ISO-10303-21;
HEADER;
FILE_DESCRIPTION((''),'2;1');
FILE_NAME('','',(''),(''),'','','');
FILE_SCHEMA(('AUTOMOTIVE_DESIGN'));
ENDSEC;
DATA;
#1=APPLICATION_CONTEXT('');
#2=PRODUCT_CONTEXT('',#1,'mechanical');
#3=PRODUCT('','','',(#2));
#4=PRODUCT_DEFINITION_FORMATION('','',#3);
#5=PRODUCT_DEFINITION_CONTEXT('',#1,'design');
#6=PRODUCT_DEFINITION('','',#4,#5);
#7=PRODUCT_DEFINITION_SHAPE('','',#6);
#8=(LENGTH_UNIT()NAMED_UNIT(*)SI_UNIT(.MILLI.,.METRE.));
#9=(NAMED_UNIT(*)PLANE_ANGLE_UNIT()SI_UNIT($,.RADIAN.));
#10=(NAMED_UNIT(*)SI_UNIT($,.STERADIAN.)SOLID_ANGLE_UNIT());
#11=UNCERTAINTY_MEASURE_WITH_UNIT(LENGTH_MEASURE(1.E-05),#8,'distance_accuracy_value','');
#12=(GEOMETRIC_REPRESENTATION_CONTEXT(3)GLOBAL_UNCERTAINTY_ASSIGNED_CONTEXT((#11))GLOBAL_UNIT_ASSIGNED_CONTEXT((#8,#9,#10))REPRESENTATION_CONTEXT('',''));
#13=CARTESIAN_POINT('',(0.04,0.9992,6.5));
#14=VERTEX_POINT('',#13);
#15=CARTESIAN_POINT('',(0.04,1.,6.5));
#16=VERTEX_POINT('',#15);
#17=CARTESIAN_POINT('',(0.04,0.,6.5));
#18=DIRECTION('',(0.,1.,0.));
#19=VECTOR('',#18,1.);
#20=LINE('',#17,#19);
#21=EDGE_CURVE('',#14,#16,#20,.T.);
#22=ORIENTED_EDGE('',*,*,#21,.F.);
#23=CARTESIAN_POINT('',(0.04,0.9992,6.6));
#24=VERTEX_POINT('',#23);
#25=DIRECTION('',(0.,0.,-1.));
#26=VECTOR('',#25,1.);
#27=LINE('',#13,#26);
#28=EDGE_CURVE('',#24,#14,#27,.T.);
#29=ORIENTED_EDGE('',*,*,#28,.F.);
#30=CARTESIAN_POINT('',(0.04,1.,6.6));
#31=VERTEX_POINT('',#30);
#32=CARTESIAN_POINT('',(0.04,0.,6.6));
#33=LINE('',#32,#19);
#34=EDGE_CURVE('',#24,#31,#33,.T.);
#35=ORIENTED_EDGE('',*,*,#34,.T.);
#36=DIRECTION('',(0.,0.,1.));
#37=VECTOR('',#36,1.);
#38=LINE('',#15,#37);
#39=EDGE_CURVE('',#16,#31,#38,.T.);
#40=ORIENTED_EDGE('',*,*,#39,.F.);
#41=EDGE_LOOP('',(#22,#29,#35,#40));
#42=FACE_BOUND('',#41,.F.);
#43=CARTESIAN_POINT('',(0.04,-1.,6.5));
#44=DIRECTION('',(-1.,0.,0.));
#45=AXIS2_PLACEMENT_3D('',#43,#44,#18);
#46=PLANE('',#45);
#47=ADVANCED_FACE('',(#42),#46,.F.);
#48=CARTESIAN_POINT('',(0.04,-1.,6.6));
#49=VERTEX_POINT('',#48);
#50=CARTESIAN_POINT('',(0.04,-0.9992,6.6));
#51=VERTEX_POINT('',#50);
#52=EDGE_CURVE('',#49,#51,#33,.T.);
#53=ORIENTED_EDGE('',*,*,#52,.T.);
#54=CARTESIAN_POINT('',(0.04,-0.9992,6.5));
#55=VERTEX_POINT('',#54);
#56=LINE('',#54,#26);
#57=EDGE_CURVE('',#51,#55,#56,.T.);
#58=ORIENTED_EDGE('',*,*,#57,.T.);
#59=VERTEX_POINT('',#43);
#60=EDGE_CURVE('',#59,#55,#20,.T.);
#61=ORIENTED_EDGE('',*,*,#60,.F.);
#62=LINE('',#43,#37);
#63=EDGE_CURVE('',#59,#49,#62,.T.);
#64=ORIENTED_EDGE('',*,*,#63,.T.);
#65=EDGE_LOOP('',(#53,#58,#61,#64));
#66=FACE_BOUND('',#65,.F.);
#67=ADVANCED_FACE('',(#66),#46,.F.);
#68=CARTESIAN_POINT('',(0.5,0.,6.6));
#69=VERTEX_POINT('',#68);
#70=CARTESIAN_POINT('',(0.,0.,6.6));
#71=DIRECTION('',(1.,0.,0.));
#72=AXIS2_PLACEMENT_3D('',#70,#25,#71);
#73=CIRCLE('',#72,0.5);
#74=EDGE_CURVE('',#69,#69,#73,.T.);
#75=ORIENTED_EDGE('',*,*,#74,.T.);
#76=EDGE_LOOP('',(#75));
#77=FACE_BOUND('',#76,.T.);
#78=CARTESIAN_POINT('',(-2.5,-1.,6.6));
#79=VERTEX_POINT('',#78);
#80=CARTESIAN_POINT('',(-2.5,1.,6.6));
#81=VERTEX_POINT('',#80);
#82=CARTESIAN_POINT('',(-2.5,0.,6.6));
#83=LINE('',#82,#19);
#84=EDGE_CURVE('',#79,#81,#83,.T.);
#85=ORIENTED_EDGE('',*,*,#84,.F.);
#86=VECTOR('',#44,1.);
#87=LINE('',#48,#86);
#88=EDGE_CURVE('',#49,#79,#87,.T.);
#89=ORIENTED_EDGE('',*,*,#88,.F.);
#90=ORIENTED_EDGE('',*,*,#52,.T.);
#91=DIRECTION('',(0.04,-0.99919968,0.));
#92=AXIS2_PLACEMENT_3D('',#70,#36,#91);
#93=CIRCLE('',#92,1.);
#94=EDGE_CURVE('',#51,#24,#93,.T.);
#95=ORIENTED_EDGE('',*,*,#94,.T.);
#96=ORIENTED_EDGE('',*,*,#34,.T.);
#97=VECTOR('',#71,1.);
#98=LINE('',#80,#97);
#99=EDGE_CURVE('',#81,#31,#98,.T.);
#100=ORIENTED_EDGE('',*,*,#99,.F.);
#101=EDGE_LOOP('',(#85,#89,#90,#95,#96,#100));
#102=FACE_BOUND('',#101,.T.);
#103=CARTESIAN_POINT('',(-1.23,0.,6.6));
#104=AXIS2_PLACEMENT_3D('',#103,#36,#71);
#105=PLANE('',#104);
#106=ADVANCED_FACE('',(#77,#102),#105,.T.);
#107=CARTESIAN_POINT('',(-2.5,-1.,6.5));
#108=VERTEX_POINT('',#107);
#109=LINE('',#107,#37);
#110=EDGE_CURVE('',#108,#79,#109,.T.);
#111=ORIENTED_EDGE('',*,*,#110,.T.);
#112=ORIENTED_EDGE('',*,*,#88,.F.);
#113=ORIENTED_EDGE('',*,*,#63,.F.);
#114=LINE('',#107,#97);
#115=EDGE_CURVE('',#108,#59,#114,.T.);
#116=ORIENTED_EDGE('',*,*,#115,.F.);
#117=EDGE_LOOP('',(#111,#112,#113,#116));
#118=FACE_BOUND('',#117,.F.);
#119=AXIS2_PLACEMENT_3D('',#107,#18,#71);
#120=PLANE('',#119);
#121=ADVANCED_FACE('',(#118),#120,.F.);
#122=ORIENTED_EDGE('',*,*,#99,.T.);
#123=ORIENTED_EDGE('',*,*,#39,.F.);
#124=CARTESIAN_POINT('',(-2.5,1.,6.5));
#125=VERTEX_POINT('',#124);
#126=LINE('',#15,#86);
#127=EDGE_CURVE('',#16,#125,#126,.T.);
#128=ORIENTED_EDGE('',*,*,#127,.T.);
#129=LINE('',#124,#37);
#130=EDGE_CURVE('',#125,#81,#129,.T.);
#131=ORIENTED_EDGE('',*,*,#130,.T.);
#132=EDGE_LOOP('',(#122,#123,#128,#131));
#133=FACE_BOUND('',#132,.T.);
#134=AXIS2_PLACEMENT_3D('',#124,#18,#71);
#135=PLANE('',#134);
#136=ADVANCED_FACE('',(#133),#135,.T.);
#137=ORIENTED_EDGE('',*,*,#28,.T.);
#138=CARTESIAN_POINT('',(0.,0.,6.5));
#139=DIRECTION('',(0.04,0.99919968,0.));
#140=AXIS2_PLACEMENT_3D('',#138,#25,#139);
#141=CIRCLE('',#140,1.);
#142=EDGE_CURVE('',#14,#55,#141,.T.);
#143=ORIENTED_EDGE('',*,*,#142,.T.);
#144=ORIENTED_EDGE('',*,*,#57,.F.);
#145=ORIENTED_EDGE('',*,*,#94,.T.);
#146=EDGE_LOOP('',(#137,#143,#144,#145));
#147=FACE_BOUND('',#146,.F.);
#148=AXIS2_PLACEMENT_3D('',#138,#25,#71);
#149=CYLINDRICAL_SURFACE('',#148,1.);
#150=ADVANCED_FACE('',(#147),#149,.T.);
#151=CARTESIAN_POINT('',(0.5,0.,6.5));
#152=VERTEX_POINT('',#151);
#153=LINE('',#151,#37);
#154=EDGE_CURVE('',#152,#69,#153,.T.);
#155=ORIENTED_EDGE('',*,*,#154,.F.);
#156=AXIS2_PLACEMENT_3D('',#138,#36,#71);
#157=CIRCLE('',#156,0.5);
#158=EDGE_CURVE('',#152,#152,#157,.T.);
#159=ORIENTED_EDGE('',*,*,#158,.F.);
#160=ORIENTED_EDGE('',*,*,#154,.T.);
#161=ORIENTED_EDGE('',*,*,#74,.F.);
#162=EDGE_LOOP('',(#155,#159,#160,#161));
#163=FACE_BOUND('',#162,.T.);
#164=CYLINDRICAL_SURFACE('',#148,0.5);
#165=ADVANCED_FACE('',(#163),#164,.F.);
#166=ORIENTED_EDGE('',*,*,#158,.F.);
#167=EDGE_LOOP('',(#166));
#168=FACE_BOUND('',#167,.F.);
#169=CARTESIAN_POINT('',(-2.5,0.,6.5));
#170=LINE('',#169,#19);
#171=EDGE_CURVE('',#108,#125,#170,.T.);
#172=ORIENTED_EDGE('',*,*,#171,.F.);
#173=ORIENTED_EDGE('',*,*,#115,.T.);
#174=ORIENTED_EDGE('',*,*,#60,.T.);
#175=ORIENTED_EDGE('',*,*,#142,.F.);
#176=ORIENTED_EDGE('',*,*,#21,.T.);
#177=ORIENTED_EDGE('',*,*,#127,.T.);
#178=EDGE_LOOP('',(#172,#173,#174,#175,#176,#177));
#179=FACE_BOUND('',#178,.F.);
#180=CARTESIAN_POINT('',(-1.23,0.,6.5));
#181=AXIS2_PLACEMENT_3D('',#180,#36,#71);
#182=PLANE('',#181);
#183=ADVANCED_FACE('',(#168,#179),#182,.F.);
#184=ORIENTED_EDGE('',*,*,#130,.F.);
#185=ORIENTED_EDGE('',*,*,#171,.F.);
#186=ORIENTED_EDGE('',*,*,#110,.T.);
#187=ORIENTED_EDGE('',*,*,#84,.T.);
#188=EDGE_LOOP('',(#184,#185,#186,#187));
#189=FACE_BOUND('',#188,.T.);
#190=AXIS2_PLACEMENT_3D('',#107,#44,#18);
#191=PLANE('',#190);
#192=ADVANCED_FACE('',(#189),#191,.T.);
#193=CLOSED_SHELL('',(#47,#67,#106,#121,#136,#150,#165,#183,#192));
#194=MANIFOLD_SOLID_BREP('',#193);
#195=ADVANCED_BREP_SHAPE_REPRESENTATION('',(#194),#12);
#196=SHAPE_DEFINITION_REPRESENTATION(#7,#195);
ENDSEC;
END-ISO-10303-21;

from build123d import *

# Parameters (mm, degrees)
CYLINDER002_R     = 0.5
CYLINDER002_DEPTH = 0.1
BOX003_W          = 2.54
BOX003_H          = 2
BOX003_DEPTH      = 0.1
CYLINDER001_R     = 0.5
CYLINDER001_DEPTH = 0.1
CYLINDER_R        = 1
CYLINDER_DEPTH    = 0.1


with BuildPart() as cylinder002:
    # Cylinder002 → Cylinder002 (new body)
    with BuildSketch(Plane.XY.offset(1)):
        Circle(CYLINDER002_R)
    extrude(amount=CYLINDER002_DEPTH)


with BuildPart() as cut002:
    # Box003 → Box003 (new body)
    with BuildSketch(Plane(origin=(-2.5, -1, 1), x_dir=(1, 0, 0), z_dir=(0, 0, 1))):
        with Locations((1.27, 1)):
            Rectangle(BOX003_W, BOX003_H)
    extrude(amount=BOX003_DEPTH)

    # Cut002: cut Cylinder002
    add(cylinder002.part, mode=Mode.SUBTRACT)


with BuildPart() as cylinder001:
    # Cylinder001 → Cylinder001 (new body)
    with BuildSketch(Plane.XY.offset(1)):
        Circle(CYLINDER001_R)
    extrude(amount=CYLINDER001_DEPTH)


with BuildPart() as fusion:
    # Cylinder → Cylinder (new body)
    with BuildSketch(Plane.XY.offset(1)):
        Circle(CYLINDER_R)
    extrude(amount=CYLINDER_DEPTH)

    # Cut001: cut Cylinder001
    add(cylinder001.part, mode=Mode.SUBTRACT)

    # Fusion: union Cut002
    add(cut002.part)


with BuildPart() as fusion_1:
    # Fusion placement: moved
    add(fusion.part.moved(Location((0, 0, 5.5))))


solid = fusion_1.part
